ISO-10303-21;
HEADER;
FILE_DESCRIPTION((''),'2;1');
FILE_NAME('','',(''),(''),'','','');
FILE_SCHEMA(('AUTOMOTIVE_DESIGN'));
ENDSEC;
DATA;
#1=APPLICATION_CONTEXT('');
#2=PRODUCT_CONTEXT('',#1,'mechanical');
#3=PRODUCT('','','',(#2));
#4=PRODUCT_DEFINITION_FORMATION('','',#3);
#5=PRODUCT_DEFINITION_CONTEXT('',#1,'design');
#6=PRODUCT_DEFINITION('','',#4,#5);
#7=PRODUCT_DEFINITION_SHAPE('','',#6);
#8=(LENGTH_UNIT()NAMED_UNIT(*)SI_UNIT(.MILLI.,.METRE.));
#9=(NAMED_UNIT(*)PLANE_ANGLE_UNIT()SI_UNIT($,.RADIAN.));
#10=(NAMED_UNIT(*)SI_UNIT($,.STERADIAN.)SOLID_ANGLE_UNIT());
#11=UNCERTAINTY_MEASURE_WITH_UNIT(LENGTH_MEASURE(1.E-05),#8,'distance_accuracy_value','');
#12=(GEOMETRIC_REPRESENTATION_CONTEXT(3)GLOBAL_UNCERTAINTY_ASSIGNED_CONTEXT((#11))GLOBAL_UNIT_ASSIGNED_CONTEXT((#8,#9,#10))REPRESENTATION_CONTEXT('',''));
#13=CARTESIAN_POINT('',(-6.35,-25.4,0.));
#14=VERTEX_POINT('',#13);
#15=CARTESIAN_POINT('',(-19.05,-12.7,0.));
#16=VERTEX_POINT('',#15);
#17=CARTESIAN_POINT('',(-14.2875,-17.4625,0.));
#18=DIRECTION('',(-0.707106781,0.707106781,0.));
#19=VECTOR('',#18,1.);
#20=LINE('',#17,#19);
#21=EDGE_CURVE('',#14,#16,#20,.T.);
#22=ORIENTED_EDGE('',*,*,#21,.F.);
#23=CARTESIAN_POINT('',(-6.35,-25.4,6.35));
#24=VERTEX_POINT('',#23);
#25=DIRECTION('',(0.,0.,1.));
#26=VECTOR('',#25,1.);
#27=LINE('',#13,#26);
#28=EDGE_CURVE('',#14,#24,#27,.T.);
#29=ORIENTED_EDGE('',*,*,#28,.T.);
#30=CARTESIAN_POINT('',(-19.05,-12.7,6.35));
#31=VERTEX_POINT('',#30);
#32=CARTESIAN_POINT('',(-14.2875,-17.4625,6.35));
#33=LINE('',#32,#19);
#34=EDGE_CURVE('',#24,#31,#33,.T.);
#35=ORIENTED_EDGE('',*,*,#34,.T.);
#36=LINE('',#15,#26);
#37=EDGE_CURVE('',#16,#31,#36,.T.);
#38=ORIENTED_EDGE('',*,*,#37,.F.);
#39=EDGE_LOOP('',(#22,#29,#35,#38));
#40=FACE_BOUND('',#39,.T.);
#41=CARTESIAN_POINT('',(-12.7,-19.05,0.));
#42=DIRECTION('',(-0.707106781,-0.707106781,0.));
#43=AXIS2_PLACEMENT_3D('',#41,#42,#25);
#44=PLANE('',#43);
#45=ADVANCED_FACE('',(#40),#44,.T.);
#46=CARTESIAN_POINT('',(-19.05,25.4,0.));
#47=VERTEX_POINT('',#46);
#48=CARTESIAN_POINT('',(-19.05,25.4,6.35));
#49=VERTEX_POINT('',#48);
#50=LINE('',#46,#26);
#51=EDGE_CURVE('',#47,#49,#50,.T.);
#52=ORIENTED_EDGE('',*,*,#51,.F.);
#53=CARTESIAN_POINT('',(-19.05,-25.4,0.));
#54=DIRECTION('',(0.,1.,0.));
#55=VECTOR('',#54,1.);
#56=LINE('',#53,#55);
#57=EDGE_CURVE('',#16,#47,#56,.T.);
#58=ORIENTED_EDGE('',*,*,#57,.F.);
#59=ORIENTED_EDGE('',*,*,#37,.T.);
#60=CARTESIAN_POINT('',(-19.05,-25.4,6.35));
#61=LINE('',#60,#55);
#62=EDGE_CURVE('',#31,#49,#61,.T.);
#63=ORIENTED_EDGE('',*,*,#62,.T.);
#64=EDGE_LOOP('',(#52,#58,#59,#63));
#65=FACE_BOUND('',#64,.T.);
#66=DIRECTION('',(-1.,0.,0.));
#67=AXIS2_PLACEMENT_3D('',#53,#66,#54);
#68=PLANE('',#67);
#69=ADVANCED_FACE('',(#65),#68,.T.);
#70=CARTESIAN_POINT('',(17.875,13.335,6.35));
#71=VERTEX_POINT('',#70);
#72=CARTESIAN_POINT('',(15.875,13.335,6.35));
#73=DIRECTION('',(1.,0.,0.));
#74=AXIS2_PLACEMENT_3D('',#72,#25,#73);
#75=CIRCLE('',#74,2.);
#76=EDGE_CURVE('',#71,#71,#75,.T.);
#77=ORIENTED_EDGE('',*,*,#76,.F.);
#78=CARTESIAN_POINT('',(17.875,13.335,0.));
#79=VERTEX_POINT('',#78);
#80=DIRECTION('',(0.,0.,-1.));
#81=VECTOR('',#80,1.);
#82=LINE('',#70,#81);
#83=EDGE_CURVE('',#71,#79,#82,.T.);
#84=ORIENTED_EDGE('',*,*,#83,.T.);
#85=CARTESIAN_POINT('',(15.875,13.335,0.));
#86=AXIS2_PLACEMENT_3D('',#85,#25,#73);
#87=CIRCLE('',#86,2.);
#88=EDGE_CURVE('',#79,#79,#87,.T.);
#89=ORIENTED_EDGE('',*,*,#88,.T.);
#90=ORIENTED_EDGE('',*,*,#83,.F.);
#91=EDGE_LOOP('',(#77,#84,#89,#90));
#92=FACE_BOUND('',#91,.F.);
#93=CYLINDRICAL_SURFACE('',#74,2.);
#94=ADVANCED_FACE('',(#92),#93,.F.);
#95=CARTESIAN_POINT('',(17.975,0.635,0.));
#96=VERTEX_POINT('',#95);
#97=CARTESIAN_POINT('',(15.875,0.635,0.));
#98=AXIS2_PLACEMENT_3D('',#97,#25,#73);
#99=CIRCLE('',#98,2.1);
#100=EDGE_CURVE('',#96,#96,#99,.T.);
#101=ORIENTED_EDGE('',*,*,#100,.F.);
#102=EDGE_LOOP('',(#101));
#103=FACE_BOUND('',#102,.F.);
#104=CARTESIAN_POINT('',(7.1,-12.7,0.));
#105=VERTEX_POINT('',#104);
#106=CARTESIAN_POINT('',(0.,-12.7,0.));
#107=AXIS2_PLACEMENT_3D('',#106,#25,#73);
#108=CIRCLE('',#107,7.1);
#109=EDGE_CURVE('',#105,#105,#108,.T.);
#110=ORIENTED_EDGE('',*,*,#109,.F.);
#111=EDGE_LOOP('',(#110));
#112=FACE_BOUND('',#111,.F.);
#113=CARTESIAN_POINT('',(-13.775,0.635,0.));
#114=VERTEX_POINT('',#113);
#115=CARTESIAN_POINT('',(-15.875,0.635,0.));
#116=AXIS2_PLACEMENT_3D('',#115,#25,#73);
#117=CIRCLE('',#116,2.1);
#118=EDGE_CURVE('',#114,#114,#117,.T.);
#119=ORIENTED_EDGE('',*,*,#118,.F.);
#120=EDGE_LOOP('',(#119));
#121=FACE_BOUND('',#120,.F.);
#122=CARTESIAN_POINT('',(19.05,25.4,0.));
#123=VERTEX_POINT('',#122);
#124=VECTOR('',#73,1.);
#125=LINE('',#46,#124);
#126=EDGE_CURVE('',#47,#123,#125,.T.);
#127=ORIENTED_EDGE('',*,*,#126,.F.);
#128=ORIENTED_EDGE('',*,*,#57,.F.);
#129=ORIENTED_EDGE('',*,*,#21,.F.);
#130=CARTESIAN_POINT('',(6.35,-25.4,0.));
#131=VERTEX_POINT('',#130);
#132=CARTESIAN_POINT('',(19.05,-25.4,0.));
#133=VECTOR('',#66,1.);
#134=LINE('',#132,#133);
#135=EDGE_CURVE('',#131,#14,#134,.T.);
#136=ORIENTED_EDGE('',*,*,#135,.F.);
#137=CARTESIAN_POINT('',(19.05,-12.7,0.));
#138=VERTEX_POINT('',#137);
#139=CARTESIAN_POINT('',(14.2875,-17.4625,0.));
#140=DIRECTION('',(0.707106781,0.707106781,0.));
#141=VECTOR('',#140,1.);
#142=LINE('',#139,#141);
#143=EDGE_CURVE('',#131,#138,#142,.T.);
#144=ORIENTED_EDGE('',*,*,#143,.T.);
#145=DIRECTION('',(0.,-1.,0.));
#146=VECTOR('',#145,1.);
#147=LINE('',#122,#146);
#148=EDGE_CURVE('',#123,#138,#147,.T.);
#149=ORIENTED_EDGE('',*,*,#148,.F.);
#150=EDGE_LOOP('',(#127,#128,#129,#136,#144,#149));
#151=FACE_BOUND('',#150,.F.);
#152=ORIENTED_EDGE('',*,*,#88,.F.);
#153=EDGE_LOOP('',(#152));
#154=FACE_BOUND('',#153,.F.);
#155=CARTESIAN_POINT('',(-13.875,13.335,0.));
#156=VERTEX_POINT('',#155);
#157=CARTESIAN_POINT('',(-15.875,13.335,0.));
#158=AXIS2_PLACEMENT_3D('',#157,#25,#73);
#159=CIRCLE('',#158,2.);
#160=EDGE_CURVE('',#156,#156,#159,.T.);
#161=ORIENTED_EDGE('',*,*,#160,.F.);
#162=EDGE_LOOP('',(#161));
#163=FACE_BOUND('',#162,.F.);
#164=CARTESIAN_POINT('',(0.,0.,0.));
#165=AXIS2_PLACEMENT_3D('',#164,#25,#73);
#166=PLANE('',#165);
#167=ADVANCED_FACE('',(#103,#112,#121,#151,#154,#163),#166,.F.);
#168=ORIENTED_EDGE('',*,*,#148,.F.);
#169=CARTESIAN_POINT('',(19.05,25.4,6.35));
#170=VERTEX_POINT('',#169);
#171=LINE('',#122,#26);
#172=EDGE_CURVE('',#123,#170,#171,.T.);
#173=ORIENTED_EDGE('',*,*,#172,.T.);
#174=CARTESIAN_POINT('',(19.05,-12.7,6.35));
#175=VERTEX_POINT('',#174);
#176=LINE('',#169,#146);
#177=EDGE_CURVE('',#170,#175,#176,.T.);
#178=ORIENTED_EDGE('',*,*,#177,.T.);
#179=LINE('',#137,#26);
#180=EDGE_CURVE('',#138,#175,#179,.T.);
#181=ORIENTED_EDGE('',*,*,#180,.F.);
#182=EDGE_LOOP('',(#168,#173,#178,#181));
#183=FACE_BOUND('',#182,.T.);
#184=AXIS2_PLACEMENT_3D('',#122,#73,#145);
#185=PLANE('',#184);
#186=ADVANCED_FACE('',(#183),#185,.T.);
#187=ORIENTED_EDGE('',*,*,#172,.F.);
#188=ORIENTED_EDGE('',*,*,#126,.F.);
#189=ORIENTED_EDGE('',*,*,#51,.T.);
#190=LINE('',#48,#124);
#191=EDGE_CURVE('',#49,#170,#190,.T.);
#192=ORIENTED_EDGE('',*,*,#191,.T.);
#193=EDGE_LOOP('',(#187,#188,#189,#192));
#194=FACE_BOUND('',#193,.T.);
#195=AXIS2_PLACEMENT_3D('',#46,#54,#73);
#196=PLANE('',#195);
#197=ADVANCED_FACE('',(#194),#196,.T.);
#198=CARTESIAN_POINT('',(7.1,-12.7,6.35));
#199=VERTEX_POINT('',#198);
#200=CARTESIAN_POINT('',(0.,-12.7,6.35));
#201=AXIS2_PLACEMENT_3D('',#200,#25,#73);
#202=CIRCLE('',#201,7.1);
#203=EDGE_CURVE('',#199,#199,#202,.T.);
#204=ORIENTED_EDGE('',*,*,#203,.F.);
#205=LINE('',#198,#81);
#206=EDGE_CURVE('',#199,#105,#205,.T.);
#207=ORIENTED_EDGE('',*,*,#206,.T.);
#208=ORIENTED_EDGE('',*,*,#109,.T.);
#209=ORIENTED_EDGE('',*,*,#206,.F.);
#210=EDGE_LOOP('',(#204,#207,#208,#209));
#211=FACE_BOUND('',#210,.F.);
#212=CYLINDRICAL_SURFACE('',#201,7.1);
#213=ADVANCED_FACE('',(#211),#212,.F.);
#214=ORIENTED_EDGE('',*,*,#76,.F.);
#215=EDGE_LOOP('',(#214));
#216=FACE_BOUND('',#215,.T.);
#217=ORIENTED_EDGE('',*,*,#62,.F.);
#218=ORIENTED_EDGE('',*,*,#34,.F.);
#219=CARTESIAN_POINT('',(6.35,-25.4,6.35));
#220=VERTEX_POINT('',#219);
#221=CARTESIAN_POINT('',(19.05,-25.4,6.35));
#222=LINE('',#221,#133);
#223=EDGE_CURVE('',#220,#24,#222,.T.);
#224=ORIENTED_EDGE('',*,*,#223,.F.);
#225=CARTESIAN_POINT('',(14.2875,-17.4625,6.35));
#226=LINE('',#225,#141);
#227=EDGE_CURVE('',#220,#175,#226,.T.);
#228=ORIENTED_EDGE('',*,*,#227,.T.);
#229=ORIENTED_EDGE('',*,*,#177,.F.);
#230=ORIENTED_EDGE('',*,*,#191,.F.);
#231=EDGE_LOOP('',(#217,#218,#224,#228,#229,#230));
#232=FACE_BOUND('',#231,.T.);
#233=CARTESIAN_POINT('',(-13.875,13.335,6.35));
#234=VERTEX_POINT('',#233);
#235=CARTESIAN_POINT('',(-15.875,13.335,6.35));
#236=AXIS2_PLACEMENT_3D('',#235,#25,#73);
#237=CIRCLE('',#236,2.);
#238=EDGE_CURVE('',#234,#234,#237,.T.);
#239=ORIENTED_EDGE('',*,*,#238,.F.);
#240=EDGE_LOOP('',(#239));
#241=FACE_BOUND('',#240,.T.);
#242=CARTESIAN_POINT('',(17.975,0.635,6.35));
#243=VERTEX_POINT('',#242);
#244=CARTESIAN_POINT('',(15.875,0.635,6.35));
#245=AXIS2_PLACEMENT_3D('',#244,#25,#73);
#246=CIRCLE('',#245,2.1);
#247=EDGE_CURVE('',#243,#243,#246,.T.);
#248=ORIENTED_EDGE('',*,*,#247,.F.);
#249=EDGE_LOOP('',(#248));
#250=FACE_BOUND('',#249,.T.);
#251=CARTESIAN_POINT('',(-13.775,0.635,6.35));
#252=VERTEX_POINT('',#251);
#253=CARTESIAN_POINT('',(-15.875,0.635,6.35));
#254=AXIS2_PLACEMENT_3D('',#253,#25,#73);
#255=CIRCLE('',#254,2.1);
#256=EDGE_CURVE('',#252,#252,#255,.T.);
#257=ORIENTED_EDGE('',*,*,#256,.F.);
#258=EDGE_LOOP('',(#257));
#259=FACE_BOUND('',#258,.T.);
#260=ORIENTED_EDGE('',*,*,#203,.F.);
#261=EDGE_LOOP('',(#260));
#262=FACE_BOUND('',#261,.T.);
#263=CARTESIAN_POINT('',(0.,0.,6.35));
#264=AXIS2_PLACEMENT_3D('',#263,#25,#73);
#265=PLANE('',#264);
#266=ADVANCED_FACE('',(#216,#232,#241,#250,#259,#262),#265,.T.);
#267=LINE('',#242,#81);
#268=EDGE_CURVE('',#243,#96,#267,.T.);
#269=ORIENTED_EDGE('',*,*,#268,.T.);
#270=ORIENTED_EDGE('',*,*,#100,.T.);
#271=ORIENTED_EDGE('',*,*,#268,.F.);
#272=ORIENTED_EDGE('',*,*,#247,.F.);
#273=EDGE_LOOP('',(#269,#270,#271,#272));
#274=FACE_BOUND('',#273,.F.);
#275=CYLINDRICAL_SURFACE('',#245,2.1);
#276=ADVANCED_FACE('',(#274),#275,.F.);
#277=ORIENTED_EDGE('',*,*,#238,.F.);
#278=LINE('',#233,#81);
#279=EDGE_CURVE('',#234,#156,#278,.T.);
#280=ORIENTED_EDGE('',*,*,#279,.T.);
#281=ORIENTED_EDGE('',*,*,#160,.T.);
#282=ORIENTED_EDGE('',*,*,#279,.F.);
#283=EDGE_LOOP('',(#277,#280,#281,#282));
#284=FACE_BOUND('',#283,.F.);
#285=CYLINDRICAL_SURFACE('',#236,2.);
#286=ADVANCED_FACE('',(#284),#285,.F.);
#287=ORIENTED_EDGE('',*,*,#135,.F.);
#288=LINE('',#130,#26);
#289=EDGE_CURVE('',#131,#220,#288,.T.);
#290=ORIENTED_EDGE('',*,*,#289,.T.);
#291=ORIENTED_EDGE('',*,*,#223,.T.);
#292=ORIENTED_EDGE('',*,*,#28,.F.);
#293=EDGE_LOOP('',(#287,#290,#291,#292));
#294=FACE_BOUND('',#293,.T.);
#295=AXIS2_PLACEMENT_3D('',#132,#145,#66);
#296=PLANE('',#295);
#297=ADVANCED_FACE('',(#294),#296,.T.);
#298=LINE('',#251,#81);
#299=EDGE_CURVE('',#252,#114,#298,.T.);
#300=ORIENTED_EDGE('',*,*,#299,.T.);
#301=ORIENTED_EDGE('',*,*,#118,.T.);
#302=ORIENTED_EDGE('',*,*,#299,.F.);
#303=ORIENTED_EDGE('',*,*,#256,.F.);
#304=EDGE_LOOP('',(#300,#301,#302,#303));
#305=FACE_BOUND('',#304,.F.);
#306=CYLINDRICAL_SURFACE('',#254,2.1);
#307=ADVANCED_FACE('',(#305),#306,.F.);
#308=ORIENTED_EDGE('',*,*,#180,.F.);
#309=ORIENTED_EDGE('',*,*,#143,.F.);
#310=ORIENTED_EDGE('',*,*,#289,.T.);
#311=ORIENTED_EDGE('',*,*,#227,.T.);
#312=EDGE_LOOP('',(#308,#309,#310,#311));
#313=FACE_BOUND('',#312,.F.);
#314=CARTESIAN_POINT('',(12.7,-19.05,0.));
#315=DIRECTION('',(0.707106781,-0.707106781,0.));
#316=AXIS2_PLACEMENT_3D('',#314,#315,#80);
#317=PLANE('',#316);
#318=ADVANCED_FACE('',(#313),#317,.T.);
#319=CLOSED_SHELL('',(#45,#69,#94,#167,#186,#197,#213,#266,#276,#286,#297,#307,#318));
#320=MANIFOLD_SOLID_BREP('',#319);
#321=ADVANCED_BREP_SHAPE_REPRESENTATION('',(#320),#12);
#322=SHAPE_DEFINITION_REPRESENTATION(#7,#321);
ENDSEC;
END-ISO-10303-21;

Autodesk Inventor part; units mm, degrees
ref_plane "YZ Plane" through (0, 0, 0) normal (1, 0, 0) x (0, 1, 0)
ref_plane "XZ Plane" through (0, 0, 0) normal (0, 1, 0) x (-1, 0, 0)
ref_plane "XY Plane" through (0, 0, 0) normal (0, 0, 1) x (1, 0, 0)
sketch "Sketch1" plane through (0, 0, 0) normal (0, 0, 1) x (1, 0, 0)
  line L0 (19.05, -25.4) -> (-19.05, -25.4)
  line L1 (-19.05, -25.4) -> (-19.05, 25.4)
  line L2 (-19.05, 25.4) -> (19.05, 25.4)
  line L3 (19.05, 25.4) -> (19.05, -25.4)
  line L4 (19.05, -25.4) -> (-19.05, 25.4) construction
  line L5 (-19.05, -25.4) -> (19.05, 25.4) construction
  point P0 (0, 0)
  dimension "d0" = 38.1
  dimension "d1" = 50.8
extrude "Extrusion1" add sketch "Sketch1" along normal blind 6.35
chamfer "Chamfer1" distance 12.7 angle 45 2 edges at (19.05, -25.4, 3.175) (-19.05, -25.4, 3.175)
sketch "Sketch2" plane through (0, 0, 6.35) normal (0, 0, 1) x (1, 0, 0)
  line L0 (-19.05, 25.4) -> (-19.05, -12.7) construction
  line L1 (19.05, -12.7) -> (19.05, 25.4) construction
  line L2 (-19.05, -12.7) -> (19.05, -12.7) construction
  line L3 (-6.35, -25.4) -> (6.35, -25.4) construction
  line L4 (0, -25.4) -> (0, 0) construction
  circle A0 centre (0, -12.7) radius 7.1
  circle A1 centre (0, -12.7) radius 17.5 construction
  circle A2 centre (-15.875, 0.635) radius 2.1
  circle A3 centre (-15.875, 13.335) radius 2
  circle A4 centre (15.875, 0.635) radius 2.1
  circle A5 centre (15.875, 13.335) radius 2
  dimension "d7" = 14.2
  dimension "d8" = 12.7
  dimension "d9" = 35
  dimension "d10" = 4.2
  dimension "d11" = 13.335
  dimension "d12" = 3.175
  dimension "d13" = 4
  dimension "d14" = 12.7
  dimension "d15" = 3.175
extrude "Extrusion2" cut sketch "Sketch2" against normal through all
properties part number "Lateral_Support_Connection2" material "Polystyrene"
